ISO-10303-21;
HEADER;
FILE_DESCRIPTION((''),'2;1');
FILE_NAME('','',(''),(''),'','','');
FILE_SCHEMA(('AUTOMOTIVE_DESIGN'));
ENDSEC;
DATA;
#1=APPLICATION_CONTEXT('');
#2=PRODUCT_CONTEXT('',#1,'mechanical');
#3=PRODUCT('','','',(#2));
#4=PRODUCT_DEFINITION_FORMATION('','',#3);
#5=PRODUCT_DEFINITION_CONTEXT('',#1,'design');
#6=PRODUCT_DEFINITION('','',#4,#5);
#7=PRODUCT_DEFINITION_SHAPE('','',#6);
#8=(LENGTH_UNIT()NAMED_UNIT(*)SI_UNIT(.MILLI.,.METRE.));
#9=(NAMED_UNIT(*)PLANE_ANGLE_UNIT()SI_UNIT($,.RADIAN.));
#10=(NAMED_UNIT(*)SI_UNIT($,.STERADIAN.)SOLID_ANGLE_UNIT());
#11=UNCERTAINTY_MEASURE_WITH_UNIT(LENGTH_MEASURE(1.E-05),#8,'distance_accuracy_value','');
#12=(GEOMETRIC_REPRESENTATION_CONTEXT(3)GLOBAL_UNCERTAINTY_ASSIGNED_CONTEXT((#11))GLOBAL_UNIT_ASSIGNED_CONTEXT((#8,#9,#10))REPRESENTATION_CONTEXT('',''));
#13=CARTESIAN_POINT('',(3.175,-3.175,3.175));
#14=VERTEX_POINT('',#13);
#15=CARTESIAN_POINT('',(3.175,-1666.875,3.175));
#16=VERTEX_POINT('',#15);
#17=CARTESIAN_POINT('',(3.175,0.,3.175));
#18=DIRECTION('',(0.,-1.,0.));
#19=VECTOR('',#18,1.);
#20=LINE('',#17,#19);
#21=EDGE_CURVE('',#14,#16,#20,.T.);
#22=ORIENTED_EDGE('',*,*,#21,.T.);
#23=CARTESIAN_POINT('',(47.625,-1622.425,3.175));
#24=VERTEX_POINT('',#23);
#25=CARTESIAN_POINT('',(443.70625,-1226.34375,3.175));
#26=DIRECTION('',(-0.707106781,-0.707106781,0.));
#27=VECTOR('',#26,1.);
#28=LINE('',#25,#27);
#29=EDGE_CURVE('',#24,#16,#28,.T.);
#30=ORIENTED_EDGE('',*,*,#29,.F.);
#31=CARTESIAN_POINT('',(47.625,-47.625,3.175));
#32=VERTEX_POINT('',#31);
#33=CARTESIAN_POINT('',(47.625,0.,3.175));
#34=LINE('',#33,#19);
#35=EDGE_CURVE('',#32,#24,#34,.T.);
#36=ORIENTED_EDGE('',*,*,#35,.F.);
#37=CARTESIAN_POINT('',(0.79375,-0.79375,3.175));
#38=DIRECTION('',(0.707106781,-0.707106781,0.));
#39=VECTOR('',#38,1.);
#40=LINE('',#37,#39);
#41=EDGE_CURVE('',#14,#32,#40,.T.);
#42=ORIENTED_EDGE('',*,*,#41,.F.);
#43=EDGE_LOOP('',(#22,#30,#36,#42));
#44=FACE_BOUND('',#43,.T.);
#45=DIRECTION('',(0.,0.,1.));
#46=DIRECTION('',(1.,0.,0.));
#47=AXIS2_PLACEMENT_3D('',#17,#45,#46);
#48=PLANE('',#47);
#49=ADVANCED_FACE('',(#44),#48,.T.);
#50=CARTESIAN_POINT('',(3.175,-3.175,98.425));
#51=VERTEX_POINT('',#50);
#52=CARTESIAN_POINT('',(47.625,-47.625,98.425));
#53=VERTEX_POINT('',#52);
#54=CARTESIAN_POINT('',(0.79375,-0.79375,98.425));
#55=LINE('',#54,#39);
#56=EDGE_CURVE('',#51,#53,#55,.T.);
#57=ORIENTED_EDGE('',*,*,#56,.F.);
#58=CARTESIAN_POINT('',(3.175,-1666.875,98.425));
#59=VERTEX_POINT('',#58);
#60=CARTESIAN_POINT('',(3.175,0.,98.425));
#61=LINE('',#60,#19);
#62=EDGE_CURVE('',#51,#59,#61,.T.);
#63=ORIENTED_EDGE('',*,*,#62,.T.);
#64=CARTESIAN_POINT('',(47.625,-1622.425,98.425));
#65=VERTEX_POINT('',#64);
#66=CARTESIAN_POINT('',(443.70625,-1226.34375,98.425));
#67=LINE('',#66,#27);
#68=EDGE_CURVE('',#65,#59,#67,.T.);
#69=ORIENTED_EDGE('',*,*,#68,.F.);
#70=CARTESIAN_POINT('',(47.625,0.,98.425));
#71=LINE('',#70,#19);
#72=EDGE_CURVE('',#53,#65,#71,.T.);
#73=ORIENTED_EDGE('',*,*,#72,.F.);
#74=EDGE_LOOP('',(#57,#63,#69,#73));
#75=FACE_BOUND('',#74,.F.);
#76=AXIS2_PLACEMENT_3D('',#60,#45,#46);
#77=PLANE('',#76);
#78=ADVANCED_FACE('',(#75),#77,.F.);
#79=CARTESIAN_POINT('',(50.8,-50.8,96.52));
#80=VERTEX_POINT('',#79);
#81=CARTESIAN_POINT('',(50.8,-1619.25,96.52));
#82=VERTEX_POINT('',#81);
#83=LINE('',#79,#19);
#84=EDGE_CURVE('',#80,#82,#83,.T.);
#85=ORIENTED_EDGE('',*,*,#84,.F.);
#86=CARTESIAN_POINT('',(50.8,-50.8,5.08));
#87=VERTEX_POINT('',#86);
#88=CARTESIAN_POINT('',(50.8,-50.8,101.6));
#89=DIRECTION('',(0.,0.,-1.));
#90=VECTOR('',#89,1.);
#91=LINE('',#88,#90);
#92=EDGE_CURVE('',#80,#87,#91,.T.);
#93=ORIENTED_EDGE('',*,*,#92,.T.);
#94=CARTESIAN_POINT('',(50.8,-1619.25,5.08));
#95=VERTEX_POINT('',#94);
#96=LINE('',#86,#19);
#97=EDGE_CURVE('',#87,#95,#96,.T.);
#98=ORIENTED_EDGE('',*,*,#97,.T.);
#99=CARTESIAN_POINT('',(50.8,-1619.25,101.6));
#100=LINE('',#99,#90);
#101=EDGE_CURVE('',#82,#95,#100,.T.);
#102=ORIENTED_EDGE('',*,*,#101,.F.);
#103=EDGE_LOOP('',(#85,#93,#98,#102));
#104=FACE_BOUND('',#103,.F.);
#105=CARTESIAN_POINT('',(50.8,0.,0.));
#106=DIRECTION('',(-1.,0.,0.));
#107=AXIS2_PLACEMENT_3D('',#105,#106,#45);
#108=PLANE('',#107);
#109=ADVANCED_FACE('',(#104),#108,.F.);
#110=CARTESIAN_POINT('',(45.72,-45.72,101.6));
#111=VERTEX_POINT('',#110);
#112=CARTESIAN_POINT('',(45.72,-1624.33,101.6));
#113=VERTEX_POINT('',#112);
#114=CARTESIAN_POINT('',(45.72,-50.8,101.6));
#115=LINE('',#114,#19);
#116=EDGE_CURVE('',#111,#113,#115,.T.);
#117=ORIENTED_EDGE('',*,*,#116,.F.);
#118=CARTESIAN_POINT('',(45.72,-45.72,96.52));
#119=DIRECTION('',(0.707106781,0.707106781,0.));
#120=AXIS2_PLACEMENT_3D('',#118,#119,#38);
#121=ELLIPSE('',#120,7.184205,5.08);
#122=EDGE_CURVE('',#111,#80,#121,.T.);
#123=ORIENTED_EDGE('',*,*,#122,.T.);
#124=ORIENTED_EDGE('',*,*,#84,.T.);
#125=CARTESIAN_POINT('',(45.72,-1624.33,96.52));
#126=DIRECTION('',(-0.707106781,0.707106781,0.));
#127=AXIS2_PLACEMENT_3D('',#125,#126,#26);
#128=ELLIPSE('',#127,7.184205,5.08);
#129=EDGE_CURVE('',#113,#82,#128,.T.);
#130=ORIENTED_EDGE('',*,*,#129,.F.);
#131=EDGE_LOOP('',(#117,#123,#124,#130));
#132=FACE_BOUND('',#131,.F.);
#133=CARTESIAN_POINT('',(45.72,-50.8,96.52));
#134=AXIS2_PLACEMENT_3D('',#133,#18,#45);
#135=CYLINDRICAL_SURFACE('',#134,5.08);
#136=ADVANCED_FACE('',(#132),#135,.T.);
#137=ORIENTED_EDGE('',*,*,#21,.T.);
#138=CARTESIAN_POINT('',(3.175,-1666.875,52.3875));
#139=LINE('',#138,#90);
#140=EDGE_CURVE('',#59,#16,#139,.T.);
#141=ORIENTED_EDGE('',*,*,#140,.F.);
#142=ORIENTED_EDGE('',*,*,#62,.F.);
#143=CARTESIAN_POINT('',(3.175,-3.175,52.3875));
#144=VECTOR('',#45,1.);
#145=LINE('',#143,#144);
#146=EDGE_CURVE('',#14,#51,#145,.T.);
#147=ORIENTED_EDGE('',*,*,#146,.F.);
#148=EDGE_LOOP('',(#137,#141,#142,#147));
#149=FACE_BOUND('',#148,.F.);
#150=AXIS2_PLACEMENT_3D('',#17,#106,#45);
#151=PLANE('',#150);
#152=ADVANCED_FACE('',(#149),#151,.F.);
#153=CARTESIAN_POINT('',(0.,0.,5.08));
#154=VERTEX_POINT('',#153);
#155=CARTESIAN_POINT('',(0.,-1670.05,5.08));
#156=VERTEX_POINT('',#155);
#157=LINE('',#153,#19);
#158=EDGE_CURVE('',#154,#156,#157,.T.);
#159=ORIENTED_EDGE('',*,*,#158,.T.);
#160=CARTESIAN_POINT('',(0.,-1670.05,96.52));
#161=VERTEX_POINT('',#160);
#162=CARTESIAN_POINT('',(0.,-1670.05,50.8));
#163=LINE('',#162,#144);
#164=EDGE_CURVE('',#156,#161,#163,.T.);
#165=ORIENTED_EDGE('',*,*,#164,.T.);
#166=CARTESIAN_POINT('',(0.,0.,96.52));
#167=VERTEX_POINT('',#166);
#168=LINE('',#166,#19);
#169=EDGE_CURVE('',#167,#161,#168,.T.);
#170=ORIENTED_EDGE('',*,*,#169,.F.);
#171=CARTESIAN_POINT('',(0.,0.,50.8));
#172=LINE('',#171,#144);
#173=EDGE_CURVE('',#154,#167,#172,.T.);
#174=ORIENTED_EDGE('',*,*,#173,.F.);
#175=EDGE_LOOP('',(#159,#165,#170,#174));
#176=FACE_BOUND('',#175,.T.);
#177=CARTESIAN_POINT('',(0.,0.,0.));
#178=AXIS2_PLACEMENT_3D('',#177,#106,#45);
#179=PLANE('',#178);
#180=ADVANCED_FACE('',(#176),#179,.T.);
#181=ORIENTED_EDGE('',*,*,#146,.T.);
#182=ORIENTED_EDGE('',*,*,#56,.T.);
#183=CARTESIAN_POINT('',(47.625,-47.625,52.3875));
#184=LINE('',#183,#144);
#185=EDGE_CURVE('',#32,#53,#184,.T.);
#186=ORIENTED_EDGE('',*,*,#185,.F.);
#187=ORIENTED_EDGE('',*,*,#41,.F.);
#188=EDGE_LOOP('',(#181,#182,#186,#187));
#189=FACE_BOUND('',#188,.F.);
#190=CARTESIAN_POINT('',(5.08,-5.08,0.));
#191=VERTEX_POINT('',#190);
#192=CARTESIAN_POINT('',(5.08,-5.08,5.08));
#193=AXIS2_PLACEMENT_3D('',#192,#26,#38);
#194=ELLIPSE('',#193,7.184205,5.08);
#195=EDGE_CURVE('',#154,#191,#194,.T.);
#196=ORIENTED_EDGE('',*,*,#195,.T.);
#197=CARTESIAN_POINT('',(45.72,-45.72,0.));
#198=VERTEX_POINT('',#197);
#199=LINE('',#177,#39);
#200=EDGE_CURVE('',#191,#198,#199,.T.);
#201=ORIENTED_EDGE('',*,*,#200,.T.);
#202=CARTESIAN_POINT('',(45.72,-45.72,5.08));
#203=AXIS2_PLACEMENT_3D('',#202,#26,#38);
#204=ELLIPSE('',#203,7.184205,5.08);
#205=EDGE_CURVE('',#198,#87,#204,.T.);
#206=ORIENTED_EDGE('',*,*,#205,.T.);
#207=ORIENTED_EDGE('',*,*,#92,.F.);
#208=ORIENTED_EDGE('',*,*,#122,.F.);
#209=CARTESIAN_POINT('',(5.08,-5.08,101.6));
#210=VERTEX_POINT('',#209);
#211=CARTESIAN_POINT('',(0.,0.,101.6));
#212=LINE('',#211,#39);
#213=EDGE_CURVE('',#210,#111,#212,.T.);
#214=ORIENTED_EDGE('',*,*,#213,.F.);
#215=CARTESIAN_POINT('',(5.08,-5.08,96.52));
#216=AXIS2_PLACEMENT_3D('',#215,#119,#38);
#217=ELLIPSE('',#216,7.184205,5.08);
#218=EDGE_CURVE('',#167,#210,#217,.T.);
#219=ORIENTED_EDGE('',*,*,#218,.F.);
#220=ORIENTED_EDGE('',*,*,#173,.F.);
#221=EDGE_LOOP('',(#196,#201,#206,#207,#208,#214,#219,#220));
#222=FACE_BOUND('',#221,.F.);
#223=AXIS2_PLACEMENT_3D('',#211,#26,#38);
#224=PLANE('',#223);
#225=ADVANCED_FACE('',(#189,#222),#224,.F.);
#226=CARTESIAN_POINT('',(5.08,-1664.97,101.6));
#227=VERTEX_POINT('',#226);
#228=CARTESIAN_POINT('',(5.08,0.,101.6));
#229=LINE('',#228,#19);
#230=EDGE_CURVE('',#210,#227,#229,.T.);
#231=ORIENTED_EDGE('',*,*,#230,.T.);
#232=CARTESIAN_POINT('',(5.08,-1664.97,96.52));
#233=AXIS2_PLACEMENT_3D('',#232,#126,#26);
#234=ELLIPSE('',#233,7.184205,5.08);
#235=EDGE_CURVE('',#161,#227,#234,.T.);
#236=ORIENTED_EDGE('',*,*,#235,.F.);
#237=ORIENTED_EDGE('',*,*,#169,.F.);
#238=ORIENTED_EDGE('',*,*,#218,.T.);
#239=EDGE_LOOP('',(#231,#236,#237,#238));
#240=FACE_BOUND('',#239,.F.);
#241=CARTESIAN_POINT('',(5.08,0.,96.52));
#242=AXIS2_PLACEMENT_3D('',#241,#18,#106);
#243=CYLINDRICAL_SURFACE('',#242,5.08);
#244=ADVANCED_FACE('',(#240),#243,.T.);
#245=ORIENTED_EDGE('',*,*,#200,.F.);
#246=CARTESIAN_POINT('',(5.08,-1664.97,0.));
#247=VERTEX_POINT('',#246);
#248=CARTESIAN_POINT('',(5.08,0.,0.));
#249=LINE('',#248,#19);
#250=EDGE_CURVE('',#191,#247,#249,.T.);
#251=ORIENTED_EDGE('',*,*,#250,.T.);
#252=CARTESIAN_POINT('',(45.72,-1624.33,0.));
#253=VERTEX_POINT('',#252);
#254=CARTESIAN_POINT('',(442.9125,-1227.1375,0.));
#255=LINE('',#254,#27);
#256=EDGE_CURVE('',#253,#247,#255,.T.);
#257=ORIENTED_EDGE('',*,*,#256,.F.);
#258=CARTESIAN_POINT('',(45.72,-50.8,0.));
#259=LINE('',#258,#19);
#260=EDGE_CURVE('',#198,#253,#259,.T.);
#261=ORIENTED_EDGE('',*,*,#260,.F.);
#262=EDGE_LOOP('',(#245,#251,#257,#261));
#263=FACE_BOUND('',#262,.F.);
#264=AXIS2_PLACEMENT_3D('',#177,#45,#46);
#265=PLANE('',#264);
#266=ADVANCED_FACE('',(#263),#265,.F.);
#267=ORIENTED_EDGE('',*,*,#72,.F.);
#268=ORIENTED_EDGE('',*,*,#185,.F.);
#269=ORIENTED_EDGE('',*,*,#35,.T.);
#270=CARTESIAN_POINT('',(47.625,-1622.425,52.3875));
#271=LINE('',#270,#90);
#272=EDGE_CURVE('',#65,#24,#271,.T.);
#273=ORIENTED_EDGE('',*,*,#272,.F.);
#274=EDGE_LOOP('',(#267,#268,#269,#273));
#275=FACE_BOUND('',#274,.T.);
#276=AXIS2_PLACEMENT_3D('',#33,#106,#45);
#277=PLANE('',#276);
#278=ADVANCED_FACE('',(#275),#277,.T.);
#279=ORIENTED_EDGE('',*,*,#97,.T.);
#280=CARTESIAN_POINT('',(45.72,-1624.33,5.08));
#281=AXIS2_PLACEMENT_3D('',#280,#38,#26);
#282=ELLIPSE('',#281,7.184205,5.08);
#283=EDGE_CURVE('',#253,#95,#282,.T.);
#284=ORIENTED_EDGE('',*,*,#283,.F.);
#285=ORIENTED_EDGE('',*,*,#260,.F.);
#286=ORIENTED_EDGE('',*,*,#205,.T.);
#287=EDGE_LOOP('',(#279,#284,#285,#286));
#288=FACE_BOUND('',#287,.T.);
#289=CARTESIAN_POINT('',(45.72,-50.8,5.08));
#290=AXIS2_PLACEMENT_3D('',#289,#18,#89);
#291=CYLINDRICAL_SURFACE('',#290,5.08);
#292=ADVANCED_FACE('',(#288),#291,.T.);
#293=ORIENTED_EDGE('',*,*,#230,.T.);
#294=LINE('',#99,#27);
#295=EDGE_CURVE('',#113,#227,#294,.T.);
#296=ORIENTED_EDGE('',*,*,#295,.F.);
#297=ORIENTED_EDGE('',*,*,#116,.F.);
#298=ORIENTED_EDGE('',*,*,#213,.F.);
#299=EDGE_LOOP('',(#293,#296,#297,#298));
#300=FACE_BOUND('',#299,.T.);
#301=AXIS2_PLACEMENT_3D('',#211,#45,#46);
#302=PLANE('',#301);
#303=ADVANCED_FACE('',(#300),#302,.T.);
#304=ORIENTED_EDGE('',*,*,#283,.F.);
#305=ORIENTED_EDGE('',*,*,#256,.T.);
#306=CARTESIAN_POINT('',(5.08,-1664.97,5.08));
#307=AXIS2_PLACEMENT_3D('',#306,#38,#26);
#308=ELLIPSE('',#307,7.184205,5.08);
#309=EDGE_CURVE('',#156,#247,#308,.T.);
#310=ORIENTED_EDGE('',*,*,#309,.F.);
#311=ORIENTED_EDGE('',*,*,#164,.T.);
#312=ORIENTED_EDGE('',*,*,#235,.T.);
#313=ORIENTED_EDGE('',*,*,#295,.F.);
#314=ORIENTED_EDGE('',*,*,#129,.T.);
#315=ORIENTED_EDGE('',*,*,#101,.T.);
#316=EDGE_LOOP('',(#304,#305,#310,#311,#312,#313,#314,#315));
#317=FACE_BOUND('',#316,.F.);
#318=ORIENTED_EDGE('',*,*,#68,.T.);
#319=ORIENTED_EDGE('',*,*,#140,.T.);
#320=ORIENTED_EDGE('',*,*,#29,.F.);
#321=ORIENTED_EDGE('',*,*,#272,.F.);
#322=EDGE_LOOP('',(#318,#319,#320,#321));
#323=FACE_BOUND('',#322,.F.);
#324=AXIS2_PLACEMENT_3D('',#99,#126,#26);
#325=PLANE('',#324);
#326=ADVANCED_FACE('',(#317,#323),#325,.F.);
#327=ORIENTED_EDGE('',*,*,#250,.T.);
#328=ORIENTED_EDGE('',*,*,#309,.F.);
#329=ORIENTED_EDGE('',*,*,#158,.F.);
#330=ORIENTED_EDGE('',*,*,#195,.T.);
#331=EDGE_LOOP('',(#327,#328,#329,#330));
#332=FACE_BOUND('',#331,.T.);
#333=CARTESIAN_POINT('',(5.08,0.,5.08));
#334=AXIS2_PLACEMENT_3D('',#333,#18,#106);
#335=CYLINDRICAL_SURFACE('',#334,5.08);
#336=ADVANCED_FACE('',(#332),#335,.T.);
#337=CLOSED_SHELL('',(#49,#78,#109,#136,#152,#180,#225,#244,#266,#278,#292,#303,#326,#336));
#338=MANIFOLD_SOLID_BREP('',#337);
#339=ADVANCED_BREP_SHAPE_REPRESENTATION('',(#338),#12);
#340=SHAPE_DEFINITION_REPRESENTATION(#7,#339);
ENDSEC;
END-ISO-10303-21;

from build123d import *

# Parameters (mm, degrees)
F0_W     = 50.8
F0_H     = 101.6
F0_W_2   = 44.45
F0_H_2   = 95.25
F1_DEPTH = 1670.05
F3_DEPTH = 228.6
F4_R     = 5.08


with BuildPart() as f1:
    # F0 (on Front) → F1 (new body)
    with BuildSketch(Plane.XZ):
        with Locations((25.4, 50.8)):
            Rectangle(F0_W, F0_H)
        with Locations((25.4, 50.8)):
            Rectangle(F0_W_2, F0_H_2, mode=Mode.SUBTRACT)
    extrude(amount=F1_DEPTH)

    # F2 (on face) → F3 (cut)
    with BuildSketch(Plane.XY.offset(101.6)):
        Polygon((50.8, -1619.25), (0, -1670.05), (50.8, -1670.05), align=None)
        Polygon((50.8, 0), (0, 0), (50.8, -50.8), align=None)
    extrude(amount=-F3_DEPTH, mode=Mode.SUBTRACT)

    # F4
    f4_edges = [f1.edges().sort_by_distance(p)[0] for p in [
        (50.8, -835.025, 101.6),
        (50.8, -835.025, 0),
        (0, -835.025, 101.6),
        (0, -835.025, 0),
    ]]
    fillet(f4_edges, radius=F4_R)


solid = f1.part
